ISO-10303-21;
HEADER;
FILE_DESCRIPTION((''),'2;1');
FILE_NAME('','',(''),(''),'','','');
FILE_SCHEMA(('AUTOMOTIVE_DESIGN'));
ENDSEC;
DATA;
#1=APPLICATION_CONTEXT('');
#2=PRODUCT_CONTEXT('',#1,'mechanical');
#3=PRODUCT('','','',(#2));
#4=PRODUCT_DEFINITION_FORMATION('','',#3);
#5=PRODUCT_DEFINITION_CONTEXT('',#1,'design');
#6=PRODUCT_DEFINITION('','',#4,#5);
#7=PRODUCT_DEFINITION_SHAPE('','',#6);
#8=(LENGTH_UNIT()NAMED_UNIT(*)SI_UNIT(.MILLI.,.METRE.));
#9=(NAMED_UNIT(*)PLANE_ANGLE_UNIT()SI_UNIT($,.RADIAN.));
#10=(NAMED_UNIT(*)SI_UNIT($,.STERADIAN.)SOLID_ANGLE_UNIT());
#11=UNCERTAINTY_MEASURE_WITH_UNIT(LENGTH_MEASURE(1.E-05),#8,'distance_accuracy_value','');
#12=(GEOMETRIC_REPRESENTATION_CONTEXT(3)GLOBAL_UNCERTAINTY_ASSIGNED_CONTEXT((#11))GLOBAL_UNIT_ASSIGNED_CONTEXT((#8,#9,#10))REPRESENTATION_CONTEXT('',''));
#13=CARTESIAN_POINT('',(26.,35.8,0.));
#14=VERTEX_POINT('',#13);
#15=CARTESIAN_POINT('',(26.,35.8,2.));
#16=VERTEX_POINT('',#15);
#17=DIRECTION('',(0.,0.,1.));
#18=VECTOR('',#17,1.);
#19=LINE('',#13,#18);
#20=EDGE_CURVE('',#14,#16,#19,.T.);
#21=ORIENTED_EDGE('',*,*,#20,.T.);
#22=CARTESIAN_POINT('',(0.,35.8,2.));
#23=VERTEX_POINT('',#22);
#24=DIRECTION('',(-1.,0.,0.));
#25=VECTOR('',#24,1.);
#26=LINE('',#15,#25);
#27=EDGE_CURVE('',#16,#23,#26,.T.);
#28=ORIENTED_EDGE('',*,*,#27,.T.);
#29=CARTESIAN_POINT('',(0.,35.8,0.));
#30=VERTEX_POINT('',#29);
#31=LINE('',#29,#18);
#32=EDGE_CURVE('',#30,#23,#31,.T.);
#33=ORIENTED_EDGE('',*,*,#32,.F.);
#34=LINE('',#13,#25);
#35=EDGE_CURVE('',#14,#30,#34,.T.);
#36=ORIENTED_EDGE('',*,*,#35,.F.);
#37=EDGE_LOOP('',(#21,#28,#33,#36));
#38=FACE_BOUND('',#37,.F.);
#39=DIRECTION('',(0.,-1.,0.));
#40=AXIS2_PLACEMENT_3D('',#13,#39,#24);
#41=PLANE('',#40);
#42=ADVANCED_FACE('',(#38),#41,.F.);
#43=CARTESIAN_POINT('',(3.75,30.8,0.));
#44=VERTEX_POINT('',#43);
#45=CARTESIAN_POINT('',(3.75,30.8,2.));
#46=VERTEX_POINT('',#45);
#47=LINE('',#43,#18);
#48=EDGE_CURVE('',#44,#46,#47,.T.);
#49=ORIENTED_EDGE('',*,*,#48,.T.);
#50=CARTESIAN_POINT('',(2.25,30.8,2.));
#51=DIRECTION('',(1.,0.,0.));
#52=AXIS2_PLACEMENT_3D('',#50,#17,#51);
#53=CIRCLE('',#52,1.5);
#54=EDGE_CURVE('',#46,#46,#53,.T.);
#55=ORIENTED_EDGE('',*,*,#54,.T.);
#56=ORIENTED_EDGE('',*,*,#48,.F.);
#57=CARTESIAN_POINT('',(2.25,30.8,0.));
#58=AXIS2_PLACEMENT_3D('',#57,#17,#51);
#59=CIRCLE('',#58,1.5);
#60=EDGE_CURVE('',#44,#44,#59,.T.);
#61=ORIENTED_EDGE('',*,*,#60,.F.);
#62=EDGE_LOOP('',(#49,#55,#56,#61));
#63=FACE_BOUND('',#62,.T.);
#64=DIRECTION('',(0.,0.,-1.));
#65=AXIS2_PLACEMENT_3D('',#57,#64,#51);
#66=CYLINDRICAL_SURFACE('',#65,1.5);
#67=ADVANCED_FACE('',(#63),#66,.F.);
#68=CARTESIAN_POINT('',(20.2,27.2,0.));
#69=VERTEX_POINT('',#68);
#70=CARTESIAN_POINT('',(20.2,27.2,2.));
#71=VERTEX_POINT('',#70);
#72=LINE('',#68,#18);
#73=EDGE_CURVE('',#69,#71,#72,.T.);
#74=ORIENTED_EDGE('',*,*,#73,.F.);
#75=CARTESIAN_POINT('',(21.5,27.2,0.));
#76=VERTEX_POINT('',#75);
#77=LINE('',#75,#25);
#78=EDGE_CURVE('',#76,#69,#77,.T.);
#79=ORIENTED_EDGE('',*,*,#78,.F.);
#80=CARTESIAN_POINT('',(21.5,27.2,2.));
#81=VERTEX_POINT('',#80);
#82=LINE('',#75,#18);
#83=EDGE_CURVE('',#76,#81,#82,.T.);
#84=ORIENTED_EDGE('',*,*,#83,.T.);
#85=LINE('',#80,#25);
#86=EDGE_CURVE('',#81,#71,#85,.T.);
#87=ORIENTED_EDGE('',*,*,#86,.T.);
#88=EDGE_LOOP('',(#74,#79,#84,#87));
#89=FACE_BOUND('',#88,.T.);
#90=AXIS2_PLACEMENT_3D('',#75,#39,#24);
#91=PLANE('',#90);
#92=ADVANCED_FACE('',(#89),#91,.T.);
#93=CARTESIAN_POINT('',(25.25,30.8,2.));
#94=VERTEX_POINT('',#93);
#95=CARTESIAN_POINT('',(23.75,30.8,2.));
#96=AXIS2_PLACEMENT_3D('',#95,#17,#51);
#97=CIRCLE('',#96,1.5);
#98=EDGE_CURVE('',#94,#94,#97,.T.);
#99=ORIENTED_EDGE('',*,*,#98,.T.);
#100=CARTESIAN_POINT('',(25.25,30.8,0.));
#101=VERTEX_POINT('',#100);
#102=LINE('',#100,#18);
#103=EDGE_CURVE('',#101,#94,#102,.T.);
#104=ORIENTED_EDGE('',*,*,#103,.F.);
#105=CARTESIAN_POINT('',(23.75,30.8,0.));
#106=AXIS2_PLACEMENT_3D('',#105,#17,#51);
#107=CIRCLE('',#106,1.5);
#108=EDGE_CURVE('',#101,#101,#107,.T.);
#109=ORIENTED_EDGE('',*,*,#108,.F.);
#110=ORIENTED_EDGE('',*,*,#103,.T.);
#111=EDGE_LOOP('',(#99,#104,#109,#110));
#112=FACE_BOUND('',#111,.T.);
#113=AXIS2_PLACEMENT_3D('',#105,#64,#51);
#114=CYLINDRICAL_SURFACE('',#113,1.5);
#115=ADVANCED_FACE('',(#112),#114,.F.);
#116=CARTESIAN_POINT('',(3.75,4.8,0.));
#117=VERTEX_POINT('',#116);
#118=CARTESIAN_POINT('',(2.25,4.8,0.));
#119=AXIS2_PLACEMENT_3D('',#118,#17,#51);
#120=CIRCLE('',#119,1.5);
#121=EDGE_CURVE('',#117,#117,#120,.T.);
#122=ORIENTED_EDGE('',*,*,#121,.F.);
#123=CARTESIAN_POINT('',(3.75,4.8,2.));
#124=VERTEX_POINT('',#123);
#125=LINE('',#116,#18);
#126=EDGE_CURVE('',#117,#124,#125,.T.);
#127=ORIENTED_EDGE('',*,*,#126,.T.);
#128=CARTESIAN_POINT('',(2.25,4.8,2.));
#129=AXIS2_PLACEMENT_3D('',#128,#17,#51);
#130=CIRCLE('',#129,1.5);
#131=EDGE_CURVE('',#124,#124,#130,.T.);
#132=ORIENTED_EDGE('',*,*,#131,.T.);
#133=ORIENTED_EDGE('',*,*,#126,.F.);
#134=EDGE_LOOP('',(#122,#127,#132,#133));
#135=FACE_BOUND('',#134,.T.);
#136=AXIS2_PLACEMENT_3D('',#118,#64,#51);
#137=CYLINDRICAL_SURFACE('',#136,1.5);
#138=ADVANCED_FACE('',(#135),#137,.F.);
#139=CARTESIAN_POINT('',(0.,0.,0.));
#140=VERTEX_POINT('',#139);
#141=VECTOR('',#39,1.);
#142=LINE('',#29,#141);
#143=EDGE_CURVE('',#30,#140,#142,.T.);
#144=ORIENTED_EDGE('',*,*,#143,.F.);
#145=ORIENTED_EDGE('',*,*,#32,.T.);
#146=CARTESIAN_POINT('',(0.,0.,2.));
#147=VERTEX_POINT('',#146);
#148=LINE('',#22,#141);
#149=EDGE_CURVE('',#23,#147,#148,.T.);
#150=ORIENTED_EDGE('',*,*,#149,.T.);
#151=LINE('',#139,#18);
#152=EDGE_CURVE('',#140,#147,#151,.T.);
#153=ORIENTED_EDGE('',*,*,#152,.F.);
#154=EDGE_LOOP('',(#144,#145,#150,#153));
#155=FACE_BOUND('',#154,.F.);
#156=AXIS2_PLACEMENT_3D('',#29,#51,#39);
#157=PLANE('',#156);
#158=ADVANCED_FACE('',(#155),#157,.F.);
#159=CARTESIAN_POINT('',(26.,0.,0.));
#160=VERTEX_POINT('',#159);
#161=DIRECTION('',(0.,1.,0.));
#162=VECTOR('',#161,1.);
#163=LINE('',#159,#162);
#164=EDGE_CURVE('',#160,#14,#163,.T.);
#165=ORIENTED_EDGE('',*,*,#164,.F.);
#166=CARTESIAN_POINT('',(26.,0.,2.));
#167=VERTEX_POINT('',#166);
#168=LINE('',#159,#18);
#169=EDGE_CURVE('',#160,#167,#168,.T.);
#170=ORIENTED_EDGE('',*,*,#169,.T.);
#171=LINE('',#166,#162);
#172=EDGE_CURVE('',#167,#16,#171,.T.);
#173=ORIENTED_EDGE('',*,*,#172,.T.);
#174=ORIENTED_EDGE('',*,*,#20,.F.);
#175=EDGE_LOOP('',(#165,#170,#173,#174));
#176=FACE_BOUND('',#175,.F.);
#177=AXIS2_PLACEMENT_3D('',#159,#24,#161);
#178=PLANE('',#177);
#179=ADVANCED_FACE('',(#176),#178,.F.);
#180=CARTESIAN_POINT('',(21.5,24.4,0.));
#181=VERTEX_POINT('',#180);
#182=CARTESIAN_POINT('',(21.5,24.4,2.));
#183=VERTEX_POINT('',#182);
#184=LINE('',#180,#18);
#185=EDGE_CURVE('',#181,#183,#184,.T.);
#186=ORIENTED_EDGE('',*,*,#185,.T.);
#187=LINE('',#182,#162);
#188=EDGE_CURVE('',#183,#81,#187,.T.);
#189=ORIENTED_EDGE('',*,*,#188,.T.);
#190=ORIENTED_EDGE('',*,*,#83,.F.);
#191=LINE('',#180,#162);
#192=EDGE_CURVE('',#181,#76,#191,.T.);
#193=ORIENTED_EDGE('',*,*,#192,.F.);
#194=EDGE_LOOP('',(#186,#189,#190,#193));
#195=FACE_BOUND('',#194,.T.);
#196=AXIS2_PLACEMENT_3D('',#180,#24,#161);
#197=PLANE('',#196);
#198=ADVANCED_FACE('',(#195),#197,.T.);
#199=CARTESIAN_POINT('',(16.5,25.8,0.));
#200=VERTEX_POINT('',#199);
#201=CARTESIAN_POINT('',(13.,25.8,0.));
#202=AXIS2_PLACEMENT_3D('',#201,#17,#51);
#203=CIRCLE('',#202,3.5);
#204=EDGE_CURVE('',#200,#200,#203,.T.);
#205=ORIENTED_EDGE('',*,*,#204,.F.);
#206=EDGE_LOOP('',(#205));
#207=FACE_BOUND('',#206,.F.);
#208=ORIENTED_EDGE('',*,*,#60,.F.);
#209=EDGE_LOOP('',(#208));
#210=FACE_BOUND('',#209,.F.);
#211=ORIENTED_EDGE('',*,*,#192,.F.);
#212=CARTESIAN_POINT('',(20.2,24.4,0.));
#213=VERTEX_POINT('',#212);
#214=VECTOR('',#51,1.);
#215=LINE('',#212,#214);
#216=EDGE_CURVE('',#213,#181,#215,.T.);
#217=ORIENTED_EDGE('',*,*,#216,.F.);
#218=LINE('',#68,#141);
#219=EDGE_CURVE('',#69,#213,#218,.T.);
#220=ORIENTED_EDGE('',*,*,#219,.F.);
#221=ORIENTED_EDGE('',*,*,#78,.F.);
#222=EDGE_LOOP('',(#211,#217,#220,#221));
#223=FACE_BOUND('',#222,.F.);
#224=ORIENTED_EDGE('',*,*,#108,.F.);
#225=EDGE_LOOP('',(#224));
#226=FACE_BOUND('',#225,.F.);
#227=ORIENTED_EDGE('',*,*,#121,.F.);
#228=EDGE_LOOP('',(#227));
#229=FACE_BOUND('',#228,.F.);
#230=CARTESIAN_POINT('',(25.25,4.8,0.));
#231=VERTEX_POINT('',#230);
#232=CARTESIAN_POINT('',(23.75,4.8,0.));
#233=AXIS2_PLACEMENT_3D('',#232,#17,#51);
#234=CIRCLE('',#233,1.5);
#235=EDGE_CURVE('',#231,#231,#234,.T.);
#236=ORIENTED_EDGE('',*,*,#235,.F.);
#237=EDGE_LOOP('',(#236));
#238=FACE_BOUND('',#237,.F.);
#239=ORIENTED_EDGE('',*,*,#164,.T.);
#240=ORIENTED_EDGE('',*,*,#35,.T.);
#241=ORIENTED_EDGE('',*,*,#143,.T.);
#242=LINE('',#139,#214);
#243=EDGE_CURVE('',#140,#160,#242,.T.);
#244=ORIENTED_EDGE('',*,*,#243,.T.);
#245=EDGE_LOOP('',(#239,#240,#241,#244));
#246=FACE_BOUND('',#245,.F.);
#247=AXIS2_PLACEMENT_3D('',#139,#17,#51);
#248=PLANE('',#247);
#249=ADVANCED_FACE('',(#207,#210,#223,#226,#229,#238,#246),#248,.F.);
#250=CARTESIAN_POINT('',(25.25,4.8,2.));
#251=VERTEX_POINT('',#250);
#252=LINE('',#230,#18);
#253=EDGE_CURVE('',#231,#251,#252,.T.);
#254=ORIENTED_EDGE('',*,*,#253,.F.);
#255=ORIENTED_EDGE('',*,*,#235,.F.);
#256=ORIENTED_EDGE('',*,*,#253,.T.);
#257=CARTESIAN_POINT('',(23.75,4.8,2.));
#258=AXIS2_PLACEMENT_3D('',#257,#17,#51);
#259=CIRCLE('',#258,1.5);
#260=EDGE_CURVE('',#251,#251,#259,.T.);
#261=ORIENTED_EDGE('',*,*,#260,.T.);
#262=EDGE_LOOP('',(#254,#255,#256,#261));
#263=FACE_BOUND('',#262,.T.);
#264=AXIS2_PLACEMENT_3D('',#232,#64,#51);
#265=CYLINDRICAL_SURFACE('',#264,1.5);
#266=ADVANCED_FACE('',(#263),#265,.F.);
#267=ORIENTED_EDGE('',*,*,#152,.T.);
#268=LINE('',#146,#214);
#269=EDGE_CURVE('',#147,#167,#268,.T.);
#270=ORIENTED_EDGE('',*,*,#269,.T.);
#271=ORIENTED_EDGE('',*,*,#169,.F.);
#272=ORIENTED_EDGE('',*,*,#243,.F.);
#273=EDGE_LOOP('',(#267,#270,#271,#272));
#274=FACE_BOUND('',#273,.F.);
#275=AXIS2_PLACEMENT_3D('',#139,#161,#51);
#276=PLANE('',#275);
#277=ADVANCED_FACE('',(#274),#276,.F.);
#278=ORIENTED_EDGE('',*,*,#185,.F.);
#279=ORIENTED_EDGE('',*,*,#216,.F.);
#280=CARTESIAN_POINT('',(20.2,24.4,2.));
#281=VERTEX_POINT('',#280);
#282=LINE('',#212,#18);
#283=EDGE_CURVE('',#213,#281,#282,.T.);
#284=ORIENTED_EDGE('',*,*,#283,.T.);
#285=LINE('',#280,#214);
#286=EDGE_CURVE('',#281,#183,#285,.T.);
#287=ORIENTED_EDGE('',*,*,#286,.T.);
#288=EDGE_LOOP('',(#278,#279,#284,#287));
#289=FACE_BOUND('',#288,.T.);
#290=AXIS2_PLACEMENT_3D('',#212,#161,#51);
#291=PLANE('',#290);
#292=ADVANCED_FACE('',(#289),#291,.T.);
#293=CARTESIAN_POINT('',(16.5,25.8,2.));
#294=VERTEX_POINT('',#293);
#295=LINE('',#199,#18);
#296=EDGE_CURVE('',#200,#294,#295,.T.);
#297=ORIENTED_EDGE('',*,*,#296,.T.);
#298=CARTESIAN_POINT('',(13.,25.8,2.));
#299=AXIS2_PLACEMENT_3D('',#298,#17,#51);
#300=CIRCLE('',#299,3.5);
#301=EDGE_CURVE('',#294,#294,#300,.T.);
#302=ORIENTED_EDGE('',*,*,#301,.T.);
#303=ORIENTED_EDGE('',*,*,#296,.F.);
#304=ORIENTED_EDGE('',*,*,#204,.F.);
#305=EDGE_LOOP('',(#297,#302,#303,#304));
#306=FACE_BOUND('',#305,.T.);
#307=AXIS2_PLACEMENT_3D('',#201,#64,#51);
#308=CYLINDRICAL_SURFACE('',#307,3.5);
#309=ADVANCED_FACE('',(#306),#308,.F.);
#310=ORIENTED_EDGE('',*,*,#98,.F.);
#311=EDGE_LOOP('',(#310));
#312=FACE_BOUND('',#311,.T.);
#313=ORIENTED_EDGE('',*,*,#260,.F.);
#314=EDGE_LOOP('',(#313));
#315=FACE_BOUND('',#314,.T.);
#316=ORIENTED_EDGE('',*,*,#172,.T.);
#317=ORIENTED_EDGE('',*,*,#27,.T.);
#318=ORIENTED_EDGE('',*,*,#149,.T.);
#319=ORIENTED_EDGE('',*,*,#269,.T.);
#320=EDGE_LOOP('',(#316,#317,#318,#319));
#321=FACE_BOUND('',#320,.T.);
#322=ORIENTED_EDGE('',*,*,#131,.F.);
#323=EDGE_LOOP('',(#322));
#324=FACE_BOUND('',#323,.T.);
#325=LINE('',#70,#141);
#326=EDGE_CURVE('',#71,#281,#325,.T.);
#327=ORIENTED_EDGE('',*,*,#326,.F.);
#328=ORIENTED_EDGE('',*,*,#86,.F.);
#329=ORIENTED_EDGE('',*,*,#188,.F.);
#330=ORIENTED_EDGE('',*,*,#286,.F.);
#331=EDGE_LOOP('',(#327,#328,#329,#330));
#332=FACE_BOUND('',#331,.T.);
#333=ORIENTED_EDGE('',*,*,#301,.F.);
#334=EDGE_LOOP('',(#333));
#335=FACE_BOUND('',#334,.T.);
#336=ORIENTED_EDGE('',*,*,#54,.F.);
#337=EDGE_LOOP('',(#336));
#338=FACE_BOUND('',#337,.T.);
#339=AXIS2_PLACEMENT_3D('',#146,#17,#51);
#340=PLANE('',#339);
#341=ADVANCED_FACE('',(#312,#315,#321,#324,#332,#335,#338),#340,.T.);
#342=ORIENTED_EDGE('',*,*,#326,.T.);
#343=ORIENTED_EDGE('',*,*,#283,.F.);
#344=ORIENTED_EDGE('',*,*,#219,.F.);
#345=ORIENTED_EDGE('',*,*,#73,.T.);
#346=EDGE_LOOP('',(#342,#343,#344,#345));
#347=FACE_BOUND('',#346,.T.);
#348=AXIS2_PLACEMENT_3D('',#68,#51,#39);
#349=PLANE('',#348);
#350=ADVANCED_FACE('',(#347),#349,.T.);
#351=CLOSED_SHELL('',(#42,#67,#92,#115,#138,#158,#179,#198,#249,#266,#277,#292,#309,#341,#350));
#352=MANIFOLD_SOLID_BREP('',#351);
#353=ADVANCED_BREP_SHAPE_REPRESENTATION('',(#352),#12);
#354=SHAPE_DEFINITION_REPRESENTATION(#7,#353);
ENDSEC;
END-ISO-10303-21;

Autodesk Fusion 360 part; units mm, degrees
sketch "Sketch1" plane through (0, 0, 0) normal (0, 0, 1) x (1, 0, 0)
  line L0 (0, 0) -> (26, 0)
  line L1 (26, 0) -> (26, 35.8)
  line L2 (26, 35.8) -> (0, 35.8)
  line L3 (0, 35.8) -> (0, 0)
  circle A0 centre (23.75, 30.8) radius 1.5
  circle A1 centre (2.25, 30.8) radius 1.5
  circle A2 centre (2.25, 4.8) radius 1.5
  circle A3 centre (23.75, 4.8) radius 1.5
  circle A4 centre (13, 25.8) radius 3.5
  line L4 (21.5, 27.2) -> (20.2, 27.2)
  line L5 (20.2, 27.2) -> (20.2, 24.4)
  line L6 (20.2, 24.4) -> (21.5, 24.4)
  line L7 (21.5, 24.4) -> (21.5, 27.2)
  dimension "d1" = 26
  dimension "d2" = 35.8
  dimension "d3" = 3
  dimension "d4" = 3
  dimension "d5" = 3
  dimension "d6" = 3
  dimension "d7" = 5
  dimension "d10" = 31
  dimension "d11" = 31
  dimension "d12" = 5
  dimension "d13" = 2.25
  dimension "d14" = 2.25
  dimension "d15" = 2.25
  dimension "d16" = 2.25
  dimension "d17" = 7
  dimension "d18" = 10
  dimension "d21" = 1.3
  dimension "d22" = 2.8
  dimension "d23" = 13
  dimension "d24" = 7.2
  dimension "d25" = 8.6
extrude "Extrude1" add sketch "Sketch1" along normal blind 2
